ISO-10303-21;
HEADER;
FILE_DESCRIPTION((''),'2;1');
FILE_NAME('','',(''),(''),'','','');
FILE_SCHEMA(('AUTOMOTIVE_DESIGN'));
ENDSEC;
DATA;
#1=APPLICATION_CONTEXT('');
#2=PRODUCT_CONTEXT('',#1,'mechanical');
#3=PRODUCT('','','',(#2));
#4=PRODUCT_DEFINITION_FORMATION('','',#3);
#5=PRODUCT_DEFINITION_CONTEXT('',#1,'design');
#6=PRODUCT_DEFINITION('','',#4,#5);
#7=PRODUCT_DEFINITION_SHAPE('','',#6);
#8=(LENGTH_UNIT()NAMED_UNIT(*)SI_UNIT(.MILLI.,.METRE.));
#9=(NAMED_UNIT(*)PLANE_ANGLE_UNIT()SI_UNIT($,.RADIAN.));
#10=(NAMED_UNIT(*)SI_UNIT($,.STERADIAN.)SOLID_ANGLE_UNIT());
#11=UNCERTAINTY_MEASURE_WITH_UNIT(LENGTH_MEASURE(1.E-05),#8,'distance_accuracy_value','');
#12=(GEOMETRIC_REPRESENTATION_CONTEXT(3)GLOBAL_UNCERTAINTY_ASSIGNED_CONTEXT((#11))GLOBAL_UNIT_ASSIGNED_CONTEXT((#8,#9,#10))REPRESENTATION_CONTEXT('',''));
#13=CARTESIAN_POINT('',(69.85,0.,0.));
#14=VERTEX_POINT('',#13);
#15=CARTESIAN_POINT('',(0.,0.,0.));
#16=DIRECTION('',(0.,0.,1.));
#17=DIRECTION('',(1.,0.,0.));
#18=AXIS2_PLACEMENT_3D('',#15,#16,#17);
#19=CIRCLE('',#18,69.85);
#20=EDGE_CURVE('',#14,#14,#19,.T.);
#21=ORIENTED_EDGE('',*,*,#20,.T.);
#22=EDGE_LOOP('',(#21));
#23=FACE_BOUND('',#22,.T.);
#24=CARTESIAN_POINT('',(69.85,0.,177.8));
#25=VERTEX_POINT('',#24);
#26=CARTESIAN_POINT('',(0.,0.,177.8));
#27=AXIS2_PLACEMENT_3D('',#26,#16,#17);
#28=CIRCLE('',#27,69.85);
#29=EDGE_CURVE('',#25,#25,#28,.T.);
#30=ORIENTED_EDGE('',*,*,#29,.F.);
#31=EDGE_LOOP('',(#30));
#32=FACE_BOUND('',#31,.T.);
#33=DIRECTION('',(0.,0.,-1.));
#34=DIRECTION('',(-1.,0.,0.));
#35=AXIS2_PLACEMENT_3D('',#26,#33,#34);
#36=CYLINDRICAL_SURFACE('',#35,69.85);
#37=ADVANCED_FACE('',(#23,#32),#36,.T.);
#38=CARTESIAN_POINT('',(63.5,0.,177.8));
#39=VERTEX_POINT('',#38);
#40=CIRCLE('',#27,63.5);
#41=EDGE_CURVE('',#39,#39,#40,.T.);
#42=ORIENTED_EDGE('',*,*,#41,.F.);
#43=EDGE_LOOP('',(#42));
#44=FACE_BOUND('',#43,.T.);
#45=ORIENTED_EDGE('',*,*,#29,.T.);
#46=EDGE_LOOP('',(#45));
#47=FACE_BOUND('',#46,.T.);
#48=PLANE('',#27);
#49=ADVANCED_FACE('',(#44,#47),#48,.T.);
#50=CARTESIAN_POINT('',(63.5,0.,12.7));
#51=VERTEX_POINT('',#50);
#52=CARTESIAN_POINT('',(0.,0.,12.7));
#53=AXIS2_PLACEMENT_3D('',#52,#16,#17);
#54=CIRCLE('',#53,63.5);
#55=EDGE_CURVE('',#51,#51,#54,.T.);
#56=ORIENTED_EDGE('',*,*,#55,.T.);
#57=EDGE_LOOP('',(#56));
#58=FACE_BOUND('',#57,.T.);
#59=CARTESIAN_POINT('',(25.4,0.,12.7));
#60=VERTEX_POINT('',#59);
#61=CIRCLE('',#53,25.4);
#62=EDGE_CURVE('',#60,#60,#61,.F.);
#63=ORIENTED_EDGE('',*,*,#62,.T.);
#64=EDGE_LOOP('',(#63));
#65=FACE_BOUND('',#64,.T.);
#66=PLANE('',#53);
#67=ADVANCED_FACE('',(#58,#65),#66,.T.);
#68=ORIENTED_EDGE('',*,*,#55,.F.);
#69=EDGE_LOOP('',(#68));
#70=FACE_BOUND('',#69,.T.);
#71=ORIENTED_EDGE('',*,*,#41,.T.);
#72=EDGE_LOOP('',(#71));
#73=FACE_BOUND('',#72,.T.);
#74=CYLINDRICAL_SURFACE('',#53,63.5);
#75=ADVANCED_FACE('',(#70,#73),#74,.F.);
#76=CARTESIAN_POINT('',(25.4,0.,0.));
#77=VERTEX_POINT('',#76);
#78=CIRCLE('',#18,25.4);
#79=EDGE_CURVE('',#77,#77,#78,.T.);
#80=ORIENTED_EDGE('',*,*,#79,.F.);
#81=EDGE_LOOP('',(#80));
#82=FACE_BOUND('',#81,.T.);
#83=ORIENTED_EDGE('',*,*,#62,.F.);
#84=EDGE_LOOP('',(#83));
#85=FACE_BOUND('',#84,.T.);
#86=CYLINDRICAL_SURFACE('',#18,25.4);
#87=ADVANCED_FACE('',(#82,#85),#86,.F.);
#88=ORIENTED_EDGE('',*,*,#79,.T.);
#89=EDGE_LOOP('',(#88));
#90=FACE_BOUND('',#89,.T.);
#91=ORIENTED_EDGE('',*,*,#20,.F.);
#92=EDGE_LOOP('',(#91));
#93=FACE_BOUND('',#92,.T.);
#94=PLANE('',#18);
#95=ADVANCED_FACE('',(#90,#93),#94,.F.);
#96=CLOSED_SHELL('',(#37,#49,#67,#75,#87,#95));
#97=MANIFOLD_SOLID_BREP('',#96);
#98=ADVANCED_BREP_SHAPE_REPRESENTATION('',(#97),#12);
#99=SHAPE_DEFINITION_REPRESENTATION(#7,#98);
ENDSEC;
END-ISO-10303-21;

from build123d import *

# Parameters (mm, degrees)
SKETCH1_R           = 69.85
BOSS_EXTRUDE1_DEPTH = 177.8
SKETCH2_R           = 25.4
CUT_EXTRUDE1_DEPTH  = 204.398340701
SKETCH3_R           = 63.5
CUT_EXTRUDE2_DEPTH  = 165.1


with BuildPart() as part:
    # Sketch1 → Boss-Extrude1 (new body)
    with BuildSketch(Plane.XY):
        Circle(SKETCH1_R)
    extrude(amount=BOSS_EXTRUDE1_DEPTH)

    # Sketch2 → Cut-Extrude1 (cut, through all)
    with BuildSketch(Plane.XY.offset(177.8)):
        Circle(SKETCH2_R)
    extrude(amount=-CUT_EXTRUDE1_DEPTH, mode=Mode.SUBTRACT)

    # Sketch3 → Cut-Extrude2 (cut)
    with BuildSketch(Plane.XY.offset(177.8)):
        Circle(SKETCH3_R)
    extrude(amount=-CUT_EXTRUDE2_DEPTH, mode=Mode.SUBTRACT)


solid = part.part
